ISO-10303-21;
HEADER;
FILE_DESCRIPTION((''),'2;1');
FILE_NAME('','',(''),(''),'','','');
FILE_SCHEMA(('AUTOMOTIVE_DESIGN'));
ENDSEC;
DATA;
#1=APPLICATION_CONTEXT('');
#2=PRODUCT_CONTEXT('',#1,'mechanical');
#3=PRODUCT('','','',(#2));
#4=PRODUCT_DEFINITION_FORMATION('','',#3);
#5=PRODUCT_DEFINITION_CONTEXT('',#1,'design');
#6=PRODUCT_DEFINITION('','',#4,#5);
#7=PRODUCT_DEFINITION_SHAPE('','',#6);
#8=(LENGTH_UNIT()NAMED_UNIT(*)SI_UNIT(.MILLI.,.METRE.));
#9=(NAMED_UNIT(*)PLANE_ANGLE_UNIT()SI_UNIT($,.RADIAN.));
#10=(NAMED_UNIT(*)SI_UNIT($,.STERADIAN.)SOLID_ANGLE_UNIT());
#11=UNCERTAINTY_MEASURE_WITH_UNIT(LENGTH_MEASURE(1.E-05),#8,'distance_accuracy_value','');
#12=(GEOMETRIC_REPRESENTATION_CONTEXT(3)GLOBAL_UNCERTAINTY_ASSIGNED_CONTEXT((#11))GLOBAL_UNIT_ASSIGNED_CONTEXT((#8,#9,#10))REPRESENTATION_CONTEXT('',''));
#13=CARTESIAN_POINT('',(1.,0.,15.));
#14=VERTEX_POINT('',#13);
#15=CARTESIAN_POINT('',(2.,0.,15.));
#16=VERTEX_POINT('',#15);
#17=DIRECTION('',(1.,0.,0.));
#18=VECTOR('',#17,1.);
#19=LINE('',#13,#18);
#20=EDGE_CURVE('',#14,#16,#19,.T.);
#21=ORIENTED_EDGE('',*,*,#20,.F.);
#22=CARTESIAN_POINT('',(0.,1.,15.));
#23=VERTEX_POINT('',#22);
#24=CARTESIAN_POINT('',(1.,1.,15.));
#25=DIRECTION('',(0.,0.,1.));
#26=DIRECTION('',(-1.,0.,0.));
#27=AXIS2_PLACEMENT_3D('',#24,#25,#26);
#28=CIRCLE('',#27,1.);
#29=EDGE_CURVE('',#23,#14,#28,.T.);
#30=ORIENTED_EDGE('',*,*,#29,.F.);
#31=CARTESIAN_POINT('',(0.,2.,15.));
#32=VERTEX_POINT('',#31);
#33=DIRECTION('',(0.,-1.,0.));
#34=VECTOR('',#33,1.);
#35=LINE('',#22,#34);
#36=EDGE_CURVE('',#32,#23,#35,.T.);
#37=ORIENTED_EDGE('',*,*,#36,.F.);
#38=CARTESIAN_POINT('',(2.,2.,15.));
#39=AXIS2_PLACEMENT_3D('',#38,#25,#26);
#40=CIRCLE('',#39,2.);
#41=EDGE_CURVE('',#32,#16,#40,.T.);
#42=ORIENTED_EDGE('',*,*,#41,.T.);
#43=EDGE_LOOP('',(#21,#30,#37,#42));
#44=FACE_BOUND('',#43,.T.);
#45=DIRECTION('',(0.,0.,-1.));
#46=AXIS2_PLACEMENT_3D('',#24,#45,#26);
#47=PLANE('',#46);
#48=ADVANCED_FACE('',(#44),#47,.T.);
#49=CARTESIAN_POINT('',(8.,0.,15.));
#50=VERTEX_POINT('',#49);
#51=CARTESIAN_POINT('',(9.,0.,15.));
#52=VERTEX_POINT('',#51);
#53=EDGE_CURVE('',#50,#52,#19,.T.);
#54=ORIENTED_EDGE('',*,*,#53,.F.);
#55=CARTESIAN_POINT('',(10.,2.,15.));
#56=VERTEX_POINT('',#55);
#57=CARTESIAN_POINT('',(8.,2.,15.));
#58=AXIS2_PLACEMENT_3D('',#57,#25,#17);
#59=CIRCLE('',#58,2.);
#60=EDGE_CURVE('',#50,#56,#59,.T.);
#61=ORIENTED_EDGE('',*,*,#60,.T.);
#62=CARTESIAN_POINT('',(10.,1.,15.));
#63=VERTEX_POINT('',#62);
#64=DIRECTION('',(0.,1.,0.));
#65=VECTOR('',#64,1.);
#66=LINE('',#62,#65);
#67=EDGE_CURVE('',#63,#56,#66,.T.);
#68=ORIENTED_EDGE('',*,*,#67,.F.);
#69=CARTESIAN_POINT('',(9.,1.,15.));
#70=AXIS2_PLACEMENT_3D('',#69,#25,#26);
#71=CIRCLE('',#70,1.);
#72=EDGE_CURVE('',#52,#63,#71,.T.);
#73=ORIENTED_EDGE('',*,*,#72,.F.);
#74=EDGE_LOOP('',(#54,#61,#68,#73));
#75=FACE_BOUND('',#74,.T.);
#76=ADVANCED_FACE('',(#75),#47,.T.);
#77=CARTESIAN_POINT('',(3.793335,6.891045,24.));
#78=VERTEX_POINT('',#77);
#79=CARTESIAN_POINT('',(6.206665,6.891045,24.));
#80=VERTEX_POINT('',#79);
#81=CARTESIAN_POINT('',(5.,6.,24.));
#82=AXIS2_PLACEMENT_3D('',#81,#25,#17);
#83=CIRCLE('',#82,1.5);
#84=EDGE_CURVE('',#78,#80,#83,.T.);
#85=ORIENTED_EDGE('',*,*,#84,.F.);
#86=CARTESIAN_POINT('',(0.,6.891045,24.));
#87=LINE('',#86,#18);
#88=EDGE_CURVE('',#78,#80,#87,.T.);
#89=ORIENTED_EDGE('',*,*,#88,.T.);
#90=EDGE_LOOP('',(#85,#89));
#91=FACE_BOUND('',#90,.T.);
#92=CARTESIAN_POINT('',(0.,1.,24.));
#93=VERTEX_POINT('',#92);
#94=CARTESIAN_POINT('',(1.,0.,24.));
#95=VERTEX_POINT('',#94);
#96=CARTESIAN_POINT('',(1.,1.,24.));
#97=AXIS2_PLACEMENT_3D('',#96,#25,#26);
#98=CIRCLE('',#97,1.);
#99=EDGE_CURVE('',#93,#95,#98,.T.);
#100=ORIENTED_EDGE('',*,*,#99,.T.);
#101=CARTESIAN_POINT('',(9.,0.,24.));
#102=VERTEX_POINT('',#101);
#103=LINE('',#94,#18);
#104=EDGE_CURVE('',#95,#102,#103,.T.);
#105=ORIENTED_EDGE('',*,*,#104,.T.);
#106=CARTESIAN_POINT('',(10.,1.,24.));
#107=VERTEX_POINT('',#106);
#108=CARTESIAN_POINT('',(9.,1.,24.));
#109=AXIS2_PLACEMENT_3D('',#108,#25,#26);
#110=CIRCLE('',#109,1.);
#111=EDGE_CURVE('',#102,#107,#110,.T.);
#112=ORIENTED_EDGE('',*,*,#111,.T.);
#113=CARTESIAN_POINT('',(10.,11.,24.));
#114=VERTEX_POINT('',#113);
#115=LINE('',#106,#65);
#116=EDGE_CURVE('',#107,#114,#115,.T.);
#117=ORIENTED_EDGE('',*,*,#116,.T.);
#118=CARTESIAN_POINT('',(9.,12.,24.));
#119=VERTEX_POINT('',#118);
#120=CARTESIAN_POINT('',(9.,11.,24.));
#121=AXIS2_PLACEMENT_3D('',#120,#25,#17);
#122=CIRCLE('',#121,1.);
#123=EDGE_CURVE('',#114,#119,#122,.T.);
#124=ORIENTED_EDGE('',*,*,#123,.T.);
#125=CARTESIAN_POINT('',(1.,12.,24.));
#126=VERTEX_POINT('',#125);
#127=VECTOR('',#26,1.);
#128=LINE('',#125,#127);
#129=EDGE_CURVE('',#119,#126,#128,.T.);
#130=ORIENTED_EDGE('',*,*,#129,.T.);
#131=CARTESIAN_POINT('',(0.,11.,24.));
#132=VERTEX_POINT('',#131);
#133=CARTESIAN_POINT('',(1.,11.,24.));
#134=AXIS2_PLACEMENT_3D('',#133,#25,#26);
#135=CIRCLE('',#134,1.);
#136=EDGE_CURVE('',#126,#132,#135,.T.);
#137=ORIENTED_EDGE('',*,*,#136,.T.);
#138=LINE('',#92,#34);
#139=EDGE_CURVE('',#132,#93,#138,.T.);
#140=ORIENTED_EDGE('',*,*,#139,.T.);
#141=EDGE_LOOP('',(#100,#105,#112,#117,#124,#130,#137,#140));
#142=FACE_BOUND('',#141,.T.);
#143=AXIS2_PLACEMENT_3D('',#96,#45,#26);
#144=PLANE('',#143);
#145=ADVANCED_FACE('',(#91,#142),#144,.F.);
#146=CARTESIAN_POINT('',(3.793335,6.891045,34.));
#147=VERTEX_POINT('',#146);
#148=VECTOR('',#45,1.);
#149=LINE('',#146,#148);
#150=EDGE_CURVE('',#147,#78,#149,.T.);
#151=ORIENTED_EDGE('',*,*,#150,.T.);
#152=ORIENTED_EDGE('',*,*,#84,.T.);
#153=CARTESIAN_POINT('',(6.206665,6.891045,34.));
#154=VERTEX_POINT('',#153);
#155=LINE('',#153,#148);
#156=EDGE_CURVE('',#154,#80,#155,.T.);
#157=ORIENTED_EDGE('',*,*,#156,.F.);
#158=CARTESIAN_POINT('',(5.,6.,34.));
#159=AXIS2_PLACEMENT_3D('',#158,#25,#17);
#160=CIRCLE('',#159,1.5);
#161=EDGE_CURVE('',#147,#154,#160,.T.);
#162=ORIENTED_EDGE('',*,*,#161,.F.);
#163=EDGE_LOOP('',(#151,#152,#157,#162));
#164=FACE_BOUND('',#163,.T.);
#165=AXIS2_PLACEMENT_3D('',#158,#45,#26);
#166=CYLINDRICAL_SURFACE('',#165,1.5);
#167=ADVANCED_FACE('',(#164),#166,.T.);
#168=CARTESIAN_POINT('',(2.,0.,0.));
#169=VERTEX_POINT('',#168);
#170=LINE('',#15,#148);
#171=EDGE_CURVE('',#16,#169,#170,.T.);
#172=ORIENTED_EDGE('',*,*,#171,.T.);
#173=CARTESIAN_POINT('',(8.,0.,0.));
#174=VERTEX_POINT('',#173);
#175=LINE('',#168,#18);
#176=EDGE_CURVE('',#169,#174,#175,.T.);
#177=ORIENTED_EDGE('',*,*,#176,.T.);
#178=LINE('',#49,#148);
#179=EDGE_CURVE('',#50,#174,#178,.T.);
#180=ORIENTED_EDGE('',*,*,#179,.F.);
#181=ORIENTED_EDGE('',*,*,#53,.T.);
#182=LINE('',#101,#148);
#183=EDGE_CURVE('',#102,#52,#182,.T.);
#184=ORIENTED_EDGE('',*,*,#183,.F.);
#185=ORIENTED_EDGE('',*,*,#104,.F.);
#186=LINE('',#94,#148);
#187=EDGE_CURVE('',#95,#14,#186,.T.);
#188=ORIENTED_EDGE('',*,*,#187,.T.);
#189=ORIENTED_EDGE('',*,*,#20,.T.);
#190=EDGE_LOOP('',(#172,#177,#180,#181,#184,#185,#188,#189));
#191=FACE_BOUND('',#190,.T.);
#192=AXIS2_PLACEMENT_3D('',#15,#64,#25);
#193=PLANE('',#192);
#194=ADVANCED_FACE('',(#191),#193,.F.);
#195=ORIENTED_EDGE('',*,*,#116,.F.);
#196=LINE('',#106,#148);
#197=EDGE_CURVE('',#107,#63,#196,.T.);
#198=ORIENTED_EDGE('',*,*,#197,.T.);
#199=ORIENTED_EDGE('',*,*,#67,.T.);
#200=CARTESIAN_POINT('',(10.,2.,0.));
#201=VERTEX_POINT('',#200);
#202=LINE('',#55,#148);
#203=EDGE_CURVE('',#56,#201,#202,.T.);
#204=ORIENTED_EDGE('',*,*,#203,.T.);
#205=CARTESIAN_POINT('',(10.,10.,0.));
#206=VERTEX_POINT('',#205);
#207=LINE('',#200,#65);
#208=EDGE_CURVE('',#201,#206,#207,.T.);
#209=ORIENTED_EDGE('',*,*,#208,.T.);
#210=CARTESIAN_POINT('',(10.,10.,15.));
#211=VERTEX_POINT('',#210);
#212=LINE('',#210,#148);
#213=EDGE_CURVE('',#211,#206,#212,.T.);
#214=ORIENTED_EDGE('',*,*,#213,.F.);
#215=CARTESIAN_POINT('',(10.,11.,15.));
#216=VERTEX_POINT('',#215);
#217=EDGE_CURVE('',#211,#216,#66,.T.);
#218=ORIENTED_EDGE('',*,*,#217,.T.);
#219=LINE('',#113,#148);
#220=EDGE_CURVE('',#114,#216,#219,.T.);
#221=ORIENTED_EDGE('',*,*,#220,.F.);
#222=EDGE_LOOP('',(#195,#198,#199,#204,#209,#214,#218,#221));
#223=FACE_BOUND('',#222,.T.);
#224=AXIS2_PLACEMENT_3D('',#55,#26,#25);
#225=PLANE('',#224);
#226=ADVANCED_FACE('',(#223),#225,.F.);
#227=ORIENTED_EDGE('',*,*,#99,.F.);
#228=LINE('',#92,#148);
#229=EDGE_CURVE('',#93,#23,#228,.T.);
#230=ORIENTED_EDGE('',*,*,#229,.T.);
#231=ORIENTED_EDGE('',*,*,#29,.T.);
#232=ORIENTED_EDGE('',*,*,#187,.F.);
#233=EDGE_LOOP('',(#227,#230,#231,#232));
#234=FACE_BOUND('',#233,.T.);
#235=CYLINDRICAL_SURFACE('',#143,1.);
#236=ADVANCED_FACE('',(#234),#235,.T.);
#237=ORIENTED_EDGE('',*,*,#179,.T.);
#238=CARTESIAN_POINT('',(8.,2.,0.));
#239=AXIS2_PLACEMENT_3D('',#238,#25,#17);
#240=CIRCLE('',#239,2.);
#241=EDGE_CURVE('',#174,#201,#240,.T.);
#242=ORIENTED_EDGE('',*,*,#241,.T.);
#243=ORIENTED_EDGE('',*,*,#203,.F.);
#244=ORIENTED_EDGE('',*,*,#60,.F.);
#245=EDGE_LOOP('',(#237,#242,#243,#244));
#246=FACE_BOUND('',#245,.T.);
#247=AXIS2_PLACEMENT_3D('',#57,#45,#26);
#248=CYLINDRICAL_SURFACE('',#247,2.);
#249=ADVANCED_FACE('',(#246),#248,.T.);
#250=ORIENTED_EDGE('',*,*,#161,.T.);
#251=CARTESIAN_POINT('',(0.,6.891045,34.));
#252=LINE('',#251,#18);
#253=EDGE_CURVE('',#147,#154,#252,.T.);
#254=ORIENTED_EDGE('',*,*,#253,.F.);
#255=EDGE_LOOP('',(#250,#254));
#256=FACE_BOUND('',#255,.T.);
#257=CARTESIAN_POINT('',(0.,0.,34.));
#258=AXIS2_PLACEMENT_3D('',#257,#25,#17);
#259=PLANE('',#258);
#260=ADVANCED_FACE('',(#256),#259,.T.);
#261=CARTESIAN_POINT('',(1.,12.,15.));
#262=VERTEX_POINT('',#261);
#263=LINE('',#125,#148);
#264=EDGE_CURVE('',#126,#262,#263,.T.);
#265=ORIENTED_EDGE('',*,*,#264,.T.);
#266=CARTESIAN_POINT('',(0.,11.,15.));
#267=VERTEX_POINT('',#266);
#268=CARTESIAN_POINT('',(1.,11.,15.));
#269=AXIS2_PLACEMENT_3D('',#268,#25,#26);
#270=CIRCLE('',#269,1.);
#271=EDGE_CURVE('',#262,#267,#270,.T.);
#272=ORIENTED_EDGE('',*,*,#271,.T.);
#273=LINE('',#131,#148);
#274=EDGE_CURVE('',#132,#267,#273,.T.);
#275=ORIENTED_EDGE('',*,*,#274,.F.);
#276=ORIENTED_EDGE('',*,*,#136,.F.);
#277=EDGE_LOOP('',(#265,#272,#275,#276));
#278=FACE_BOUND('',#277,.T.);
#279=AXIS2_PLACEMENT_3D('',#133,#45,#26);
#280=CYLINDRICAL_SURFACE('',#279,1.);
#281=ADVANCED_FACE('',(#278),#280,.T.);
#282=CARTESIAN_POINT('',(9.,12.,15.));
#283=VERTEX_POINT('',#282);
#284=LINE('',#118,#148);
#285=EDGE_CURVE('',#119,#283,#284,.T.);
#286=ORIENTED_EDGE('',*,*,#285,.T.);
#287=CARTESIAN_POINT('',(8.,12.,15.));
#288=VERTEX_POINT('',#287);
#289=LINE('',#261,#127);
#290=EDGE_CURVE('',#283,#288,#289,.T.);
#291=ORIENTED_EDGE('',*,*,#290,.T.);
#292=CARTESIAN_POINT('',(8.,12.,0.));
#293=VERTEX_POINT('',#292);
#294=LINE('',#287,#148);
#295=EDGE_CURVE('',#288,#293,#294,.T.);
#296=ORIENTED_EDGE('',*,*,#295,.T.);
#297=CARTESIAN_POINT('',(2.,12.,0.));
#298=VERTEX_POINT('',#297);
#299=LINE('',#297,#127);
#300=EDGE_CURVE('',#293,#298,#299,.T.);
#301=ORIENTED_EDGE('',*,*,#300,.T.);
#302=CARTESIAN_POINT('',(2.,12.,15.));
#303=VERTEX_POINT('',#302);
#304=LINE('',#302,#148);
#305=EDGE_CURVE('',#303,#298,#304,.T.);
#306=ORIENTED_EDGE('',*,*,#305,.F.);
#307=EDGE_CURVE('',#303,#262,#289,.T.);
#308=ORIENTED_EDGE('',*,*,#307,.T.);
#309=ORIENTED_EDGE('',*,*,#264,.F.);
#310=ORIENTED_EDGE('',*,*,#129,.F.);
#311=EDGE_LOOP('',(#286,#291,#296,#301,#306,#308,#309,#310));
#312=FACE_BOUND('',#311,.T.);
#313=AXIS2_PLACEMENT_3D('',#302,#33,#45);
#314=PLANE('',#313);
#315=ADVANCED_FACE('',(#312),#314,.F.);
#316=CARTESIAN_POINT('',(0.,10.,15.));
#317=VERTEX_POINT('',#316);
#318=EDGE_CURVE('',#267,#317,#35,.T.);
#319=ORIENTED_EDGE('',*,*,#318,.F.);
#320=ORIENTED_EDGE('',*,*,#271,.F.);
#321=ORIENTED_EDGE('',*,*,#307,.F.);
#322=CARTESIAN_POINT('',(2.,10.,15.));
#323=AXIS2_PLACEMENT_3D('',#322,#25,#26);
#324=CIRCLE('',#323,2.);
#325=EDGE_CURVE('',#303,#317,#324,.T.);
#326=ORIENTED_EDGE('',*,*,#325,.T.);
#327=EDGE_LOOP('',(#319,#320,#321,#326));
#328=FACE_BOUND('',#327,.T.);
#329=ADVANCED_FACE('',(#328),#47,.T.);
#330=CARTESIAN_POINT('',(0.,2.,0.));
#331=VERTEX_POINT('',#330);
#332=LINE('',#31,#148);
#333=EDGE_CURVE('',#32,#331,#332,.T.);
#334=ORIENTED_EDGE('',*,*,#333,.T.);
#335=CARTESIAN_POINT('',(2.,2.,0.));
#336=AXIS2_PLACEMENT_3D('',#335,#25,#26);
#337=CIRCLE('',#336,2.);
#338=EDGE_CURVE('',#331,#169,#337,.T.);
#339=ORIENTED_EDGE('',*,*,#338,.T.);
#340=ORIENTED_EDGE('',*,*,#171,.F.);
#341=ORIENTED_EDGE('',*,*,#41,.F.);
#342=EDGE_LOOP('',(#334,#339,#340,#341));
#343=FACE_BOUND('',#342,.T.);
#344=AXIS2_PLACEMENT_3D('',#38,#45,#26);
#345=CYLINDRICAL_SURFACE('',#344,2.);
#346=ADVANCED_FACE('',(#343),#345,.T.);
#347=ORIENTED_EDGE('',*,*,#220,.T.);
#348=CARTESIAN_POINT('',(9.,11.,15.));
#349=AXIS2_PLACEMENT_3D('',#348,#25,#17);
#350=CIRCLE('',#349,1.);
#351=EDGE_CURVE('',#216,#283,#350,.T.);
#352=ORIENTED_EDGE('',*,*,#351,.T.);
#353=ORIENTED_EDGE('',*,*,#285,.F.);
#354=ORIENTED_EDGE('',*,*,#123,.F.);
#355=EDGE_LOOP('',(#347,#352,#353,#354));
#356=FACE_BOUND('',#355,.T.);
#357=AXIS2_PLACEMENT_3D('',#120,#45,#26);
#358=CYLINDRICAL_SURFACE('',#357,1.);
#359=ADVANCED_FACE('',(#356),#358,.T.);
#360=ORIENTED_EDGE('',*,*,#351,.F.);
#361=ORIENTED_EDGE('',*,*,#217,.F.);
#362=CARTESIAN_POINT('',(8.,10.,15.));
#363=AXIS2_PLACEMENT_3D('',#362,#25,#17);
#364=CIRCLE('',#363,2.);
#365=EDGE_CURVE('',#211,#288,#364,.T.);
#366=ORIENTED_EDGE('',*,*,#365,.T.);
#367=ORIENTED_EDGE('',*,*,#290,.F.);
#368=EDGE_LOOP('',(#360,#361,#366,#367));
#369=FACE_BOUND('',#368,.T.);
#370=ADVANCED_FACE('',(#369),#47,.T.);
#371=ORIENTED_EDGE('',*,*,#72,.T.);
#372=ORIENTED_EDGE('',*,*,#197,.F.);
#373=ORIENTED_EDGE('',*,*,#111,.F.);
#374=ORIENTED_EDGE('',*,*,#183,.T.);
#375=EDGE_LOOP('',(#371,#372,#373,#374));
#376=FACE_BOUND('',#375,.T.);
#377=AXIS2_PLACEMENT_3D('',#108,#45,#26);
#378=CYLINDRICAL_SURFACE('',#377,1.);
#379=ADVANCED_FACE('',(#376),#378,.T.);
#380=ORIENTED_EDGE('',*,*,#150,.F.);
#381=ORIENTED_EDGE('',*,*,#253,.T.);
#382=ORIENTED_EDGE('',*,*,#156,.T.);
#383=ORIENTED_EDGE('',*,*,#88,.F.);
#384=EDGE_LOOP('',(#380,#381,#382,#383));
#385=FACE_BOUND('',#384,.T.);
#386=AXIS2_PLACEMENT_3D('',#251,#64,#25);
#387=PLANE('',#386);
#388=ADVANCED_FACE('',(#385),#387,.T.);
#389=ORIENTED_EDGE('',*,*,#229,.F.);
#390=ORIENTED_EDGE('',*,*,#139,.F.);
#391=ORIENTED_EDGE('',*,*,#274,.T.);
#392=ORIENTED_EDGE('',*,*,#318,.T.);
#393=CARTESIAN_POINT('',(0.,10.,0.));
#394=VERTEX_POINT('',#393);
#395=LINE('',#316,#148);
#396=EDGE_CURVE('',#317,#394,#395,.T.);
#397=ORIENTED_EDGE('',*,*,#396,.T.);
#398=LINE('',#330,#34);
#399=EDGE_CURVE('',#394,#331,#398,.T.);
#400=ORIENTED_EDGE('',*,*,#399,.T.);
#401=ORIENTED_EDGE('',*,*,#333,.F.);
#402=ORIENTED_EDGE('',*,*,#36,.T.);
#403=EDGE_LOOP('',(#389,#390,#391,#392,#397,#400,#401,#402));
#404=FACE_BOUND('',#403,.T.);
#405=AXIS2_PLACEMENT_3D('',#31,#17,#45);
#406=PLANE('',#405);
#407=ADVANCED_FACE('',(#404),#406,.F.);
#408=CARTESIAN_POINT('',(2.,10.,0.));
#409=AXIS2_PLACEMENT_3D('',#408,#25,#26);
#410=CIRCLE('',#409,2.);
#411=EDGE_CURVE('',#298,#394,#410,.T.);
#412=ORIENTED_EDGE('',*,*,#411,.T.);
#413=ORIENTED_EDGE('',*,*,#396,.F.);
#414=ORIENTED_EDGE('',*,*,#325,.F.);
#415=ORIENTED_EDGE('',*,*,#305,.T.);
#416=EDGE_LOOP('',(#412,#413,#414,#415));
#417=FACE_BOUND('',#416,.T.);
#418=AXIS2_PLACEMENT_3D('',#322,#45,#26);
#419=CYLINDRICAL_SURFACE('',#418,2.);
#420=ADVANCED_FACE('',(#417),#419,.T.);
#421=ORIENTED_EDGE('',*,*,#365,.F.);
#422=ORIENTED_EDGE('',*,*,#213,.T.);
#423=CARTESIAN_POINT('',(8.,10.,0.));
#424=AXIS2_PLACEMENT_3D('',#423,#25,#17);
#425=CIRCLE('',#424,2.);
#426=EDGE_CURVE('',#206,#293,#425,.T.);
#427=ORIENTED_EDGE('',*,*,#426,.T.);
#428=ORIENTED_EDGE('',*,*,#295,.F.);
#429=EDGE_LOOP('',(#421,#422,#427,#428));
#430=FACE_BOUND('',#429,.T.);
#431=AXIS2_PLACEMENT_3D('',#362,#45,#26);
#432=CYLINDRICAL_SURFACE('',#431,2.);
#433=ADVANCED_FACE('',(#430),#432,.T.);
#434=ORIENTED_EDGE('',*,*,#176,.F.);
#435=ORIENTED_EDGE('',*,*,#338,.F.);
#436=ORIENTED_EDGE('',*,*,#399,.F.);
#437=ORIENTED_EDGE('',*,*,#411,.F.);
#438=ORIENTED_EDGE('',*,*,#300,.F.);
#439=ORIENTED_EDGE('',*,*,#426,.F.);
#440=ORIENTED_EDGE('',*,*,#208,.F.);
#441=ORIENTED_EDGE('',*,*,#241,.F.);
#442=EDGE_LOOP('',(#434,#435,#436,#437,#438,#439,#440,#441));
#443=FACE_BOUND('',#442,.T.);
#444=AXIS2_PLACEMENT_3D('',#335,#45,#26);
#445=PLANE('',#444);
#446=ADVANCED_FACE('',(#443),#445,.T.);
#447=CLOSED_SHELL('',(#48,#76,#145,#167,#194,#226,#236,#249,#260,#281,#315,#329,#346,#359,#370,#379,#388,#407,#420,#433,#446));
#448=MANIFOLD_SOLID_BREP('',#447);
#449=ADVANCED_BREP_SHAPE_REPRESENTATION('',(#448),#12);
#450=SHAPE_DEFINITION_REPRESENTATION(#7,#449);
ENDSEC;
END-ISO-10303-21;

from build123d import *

# Parameters (mm, degrees)
BOSS_EXTRUDE1_DEPTH = 15
BOSS_EXTRUDE2_DEPTH = 9
BOSS_EXTRUDE3_DEPTH = 10


with BuildPart() as part:
    # Sketch1 → Boss-Extrude1 (new body)
    with BuildSketch(Plane.XY):
        with BuildLine():
            Line((2, 0), (8, 0))
            ThreePointArc((8, 0), (9.414213562, 0.585786438), (10, 2))
            Line((10, 2), (10, 10))
            ThreePointArc((10, 10), (9.414213562, 11.414213562), (8, 12))
            Line((8, 12), (2, 12))
            ThreePointArc((2, 12), (0.585786438, 11.414213562), (0, 10))
            Line((0, 10), (0, 2))
            ThreePointArc((0, 2), (0.585786438, 0.585786438), (2, 0))
        make_face()
    extrude(amount=BOSS_EXTRUDE1_DEPTH)

    # Sketch2 → Boss-Extrude2 (add)
    with BuildSketch(Plane.XY.offset(15)):
        with BuildLine():
            Line((1, 0), (9, 0))
            ThreePointArc((9, 0), (9.707106781, 0.292893219), (10, 1))
            Line((10, 1), (10, 11))
            ThreePointArc((10, 11), (9.707106781, 11.707106781), (9, 12))
            Line((9, 12), (1, 12))
            ThreePointArc((1, 12), (0.292893219, 11.707106781), (0, 11))
            Line((0, 11), (0, 1))
            ThreePointArc((0, 1), (0.292893219, 0.292893219), (1, 0))
        make_face()
    extrude(amount=BOSS_EXTRUDE2_DEPTH)

    # Sketch3 → Boss-Extrude3 (add)
    with BuildSketch(Plane.XY.offset(24)):
        with BuildLine():
            Line((6.206664687, 6.891044518), (3.793335313, 6.891044518))
            ThreePointArc((3.793335313, 6.891044518), (4.530956841, 4.575219836), (6.5, 6))
            ThreePointArc((6.5, 6), (6.424780164, 6.469043159), (6.206664687, 6.891044518))
        make_face()
    extrude(amount=BOSS_EXTRUDE3_DEPTH)


solid = part.part
